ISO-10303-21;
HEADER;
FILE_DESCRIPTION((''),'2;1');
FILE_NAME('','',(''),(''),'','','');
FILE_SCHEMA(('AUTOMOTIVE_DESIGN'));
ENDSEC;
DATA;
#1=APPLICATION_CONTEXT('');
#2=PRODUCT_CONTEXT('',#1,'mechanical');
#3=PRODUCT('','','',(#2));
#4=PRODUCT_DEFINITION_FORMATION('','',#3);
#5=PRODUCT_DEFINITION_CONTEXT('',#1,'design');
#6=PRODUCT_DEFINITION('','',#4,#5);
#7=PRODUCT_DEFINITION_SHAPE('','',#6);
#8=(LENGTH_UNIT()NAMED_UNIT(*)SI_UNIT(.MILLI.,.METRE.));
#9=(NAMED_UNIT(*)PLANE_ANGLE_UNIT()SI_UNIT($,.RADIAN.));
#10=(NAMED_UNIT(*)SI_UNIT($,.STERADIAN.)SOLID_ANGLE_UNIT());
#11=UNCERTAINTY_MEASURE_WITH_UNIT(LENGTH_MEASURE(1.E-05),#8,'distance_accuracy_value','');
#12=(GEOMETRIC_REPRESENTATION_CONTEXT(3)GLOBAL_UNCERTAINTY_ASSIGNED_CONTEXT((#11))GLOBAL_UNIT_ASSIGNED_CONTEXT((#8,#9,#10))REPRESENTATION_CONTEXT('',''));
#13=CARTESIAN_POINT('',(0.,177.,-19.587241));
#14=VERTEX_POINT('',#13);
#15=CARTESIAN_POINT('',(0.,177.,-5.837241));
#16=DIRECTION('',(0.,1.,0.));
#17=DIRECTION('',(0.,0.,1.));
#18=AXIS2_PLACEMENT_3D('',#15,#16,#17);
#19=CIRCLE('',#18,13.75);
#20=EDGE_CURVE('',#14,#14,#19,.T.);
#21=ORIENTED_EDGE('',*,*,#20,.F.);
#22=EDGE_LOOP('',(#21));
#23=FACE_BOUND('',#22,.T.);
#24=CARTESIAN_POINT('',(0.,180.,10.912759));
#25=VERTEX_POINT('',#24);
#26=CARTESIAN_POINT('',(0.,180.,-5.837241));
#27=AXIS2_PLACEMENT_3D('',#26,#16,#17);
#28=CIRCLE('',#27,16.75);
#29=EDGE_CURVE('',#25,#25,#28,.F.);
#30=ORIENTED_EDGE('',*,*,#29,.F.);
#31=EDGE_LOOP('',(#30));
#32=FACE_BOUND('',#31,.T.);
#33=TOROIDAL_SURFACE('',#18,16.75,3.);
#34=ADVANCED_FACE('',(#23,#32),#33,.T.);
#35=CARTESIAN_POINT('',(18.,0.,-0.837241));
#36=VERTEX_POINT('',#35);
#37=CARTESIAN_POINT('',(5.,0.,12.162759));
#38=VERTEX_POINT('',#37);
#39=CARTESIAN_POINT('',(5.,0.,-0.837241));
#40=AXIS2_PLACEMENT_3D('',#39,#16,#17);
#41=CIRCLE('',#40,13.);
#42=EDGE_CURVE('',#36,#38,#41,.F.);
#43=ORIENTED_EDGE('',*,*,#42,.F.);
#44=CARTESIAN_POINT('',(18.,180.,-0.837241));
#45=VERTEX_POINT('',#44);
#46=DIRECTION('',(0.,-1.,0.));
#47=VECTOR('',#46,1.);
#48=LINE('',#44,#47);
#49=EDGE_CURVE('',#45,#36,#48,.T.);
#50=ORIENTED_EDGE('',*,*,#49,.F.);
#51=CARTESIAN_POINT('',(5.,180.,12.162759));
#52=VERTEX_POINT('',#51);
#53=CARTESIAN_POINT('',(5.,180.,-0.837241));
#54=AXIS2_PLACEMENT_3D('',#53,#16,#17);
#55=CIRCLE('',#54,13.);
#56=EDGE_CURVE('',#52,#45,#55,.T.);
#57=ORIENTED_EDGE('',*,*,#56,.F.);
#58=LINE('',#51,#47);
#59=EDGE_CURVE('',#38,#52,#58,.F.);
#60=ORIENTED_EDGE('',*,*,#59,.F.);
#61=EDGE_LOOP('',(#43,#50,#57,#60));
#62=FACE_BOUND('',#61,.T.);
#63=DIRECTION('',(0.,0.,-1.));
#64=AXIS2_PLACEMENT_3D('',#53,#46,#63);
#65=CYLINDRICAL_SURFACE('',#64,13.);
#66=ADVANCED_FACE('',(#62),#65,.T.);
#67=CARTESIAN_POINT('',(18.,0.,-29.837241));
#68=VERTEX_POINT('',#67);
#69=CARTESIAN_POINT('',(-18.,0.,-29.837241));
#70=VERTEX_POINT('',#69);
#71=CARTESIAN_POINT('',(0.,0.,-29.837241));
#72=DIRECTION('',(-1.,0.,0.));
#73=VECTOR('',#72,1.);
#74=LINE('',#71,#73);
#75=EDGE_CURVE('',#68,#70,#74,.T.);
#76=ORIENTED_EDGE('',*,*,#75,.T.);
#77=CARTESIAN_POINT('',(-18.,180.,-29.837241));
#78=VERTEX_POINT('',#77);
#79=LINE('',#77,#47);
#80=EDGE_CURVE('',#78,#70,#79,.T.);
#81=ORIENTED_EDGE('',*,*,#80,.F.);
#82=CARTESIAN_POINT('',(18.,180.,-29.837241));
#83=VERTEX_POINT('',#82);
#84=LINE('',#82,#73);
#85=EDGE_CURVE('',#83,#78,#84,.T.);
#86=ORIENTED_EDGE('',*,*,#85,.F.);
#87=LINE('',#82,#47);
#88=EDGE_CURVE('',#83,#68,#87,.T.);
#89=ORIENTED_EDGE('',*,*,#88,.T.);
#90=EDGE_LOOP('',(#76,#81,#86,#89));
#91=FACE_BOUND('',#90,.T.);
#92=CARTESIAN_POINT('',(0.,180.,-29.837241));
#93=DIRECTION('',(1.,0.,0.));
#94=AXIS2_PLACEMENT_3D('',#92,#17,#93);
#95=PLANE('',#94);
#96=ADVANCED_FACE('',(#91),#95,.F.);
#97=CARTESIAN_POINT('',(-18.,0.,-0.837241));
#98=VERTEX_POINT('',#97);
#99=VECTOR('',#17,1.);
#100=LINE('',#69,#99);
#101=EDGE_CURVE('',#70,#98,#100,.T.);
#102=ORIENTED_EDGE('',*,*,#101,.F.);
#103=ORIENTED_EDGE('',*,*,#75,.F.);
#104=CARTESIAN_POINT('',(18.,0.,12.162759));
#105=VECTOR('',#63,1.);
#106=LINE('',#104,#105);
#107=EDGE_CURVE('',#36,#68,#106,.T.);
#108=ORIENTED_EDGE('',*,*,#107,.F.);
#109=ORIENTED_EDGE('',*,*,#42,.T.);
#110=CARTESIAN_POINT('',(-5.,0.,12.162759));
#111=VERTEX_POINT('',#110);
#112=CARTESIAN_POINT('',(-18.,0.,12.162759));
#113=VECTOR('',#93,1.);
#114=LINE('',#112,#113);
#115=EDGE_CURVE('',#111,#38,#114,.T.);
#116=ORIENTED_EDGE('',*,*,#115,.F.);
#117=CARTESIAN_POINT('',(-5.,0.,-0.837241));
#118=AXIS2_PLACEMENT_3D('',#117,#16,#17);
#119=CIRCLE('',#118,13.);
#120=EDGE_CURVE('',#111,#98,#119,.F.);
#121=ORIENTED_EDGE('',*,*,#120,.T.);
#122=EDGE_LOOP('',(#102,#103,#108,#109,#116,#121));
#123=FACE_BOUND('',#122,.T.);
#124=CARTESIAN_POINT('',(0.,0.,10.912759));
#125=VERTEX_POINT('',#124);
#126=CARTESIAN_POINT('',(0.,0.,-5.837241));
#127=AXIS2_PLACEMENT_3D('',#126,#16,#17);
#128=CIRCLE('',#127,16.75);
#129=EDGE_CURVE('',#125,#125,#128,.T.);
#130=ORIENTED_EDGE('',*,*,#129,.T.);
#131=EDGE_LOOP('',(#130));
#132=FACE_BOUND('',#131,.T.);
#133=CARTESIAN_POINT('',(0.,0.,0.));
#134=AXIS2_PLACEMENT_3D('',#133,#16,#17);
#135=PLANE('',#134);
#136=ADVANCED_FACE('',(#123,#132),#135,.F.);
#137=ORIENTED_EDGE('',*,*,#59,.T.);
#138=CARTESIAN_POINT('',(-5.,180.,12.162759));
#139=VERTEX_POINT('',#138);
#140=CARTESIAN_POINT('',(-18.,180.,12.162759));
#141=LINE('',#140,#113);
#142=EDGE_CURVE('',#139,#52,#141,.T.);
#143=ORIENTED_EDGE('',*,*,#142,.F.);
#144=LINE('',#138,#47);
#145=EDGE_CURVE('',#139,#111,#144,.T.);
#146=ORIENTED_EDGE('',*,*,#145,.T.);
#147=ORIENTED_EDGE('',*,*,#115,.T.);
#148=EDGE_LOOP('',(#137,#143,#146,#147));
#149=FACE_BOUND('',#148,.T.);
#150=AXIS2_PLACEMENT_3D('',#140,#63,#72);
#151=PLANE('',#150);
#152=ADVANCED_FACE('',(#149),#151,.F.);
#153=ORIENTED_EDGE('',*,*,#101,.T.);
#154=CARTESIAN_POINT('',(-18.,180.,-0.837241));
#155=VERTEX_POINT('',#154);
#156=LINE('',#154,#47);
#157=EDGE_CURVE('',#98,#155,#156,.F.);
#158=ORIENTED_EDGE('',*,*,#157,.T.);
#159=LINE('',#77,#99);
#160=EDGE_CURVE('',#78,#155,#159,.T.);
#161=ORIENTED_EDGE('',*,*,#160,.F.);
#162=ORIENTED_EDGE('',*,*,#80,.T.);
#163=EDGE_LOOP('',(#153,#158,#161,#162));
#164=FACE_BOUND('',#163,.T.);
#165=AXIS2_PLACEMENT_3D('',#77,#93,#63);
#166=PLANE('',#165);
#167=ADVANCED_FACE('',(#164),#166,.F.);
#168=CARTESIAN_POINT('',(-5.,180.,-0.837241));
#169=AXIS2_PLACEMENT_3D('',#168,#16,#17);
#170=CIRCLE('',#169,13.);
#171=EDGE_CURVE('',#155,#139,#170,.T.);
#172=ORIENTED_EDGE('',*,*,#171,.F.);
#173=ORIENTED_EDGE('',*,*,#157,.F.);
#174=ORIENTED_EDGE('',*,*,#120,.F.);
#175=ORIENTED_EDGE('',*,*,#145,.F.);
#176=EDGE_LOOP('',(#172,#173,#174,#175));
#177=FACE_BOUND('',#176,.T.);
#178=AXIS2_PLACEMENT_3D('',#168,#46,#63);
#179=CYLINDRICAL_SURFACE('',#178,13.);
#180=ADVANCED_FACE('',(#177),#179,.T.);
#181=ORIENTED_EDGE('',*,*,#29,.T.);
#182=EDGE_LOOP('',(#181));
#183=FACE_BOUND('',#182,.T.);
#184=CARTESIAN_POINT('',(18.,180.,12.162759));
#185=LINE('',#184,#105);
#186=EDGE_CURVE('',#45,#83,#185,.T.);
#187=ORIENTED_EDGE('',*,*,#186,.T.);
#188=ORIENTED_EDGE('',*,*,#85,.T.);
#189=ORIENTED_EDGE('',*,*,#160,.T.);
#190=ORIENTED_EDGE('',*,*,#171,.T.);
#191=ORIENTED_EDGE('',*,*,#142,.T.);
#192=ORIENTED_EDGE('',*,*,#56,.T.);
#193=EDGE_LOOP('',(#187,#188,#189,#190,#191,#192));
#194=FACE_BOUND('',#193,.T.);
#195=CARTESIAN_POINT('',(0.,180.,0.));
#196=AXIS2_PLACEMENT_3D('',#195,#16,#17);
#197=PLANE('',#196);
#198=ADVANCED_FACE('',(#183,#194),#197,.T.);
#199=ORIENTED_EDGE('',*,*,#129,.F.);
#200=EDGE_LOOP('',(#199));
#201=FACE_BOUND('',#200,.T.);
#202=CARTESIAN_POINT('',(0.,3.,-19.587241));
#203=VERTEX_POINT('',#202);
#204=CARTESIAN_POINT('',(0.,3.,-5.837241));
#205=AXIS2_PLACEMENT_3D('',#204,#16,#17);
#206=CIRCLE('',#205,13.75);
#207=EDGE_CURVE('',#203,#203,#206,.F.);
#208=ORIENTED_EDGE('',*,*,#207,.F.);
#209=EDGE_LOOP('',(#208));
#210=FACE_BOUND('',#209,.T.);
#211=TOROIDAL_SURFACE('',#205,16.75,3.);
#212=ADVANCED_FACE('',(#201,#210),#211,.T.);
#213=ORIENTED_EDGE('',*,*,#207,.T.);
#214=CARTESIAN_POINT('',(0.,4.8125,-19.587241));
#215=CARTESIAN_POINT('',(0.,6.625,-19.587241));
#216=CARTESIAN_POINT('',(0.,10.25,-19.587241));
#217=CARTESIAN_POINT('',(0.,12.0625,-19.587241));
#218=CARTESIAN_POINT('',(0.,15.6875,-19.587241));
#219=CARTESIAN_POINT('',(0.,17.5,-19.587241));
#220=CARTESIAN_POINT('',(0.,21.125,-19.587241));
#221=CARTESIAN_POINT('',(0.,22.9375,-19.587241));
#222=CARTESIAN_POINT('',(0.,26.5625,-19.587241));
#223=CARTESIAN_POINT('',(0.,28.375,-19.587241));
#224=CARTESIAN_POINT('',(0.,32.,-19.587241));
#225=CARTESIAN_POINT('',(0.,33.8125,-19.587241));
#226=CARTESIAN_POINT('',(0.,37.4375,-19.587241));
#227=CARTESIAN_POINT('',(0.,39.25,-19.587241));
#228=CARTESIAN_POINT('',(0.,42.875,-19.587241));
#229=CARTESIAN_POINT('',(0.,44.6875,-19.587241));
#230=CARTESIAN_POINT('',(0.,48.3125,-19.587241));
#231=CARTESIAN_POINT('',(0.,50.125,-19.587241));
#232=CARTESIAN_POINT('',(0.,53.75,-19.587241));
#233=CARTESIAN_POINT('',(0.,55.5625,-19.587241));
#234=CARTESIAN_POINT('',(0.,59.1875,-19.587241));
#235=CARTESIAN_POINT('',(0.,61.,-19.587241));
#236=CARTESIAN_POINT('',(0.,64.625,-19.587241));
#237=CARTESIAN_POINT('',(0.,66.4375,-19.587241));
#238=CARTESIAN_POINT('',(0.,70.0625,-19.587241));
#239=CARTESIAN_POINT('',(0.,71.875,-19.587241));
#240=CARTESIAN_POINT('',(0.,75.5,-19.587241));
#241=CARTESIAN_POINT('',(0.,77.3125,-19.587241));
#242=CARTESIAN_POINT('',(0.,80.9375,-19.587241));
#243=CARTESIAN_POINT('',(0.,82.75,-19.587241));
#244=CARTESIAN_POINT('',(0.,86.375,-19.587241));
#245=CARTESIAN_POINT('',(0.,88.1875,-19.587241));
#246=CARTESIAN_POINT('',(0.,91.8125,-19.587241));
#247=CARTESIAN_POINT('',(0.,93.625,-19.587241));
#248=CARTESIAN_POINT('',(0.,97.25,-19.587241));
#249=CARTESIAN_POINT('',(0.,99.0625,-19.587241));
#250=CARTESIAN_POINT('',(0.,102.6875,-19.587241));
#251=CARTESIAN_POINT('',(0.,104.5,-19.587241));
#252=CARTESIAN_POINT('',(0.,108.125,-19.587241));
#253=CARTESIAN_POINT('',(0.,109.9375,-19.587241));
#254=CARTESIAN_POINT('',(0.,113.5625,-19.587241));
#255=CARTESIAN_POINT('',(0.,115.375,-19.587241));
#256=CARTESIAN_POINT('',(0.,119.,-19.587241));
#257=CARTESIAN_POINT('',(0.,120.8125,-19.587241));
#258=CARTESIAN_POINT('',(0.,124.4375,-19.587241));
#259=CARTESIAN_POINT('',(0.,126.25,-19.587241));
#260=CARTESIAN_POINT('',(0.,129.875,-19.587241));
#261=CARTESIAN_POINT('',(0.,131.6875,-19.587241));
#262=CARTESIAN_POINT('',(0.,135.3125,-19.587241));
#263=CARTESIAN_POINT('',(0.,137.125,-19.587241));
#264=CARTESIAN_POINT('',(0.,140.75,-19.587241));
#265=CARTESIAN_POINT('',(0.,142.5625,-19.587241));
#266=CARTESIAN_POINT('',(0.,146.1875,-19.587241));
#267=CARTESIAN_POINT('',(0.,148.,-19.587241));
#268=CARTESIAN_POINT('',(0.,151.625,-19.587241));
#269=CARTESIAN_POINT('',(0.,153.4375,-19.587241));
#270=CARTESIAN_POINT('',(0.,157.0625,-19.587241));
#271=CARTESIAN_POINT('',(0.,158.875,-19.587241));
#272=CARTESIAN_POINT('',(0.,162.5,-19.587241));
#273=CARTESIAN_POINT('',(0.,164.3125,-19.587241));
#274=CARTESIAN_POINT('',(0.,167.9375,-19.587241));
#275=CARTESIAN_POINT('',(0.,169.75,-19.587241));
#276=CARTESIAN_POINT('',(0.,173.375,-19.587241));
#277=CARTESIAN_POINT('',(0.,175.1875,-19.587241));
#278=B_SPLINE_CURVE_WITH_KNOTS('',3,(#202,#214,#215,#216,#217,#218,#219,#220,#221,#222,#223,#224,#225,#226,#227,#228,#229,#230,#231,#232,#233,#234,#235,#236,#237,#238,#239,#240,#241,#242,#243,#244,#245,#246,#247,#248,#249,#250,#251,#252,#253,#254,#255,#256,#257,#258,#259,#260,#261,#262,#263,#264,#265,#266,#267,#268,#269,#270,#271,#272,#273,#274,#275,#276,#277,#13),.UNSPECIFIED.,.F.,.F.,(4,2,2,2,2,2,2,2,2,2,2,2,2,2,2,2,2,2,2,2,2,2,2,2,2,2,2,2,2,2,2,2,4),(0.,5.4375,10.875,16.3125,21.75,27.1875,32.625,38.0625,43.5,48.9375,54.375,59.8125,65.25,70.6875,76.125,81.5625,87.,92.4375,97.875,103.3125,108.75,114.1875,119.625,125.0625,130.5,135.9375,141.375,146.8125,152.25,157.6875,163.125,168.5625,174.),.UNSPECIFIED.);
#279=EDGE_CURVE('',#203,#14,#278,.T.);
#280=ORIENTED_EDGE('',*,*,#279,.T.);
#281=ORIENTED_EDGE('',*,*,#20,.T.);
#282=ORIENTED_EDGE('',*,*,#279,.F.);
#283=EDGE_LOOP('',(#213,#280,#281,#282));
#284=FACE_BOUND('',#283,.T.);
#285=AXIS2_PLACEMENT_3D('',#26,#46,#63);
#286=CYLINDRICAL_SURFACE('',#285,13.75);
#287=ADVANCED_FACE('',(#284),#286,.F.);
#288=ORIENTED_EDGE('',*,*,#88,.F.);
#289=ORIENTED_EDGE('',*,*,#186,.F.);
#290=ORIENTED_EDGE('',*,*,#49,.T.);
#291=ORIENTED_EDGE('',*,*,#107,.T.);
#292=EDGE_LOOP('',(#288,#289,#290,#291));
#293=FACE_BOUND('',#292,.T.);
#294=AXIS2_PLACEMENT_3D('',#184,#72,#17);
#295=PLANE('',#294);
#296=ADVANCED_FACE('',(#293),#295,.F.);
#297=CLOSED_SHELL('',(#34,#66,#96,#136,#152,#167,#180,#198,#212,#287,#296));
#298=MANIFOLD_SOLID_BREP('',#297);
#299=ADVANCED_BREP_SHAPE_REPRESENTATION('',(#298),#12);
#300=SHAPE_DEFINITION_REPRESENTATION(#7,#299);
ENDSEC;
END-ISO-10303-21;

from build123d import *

# Parameters (mm, degrees)
SKETCH1_R           = 13.75
BOSS_EXTRUDE1_DEPTH = 180
FILLET1_R           = 13
FILLET2_R           = 3


with BuildPart() as part:
    # Sketch1 → Boss-Extrude1 (new body)
    with BuildSketch(Plane(origin=(0, 0, 0), x_dir=(1, 0, 0), z_dir=(0, 1, 0))):
        Polygon((0, 29.837240524), (-18, 29.837240524), (-18, -12.162759476), (18, -12.162759476), (18, 29.837240524), align=None)
        with Locations(Location((0, 5.837240524, 0), (0, 0, 90))):
            Circle(SKETCH1_R, mode=Mode.SUBTRACT)
    extrude(amount=BOSS_EXTRUDE1_DEPTH)

    # Fillet1
    fillet1_edges = [part.edges().sort_by_distance(p)[0] for p in [
        (18, 90, 12.162759476),
        (-18, 90, 12.162759476),
    ]]
    fillet(fillet1_edges, radius=FILLET1_R)

    # Fillet2
    fillet2_edges = [part.edges().sort_by_distance(p)[0] for p in [
        (0, 0, 7.912759476),
        (0, 180, 7.912759476),
    ]]
    fillet(fillet2_edges, radius=FILLET2_R)


solid = part.part
